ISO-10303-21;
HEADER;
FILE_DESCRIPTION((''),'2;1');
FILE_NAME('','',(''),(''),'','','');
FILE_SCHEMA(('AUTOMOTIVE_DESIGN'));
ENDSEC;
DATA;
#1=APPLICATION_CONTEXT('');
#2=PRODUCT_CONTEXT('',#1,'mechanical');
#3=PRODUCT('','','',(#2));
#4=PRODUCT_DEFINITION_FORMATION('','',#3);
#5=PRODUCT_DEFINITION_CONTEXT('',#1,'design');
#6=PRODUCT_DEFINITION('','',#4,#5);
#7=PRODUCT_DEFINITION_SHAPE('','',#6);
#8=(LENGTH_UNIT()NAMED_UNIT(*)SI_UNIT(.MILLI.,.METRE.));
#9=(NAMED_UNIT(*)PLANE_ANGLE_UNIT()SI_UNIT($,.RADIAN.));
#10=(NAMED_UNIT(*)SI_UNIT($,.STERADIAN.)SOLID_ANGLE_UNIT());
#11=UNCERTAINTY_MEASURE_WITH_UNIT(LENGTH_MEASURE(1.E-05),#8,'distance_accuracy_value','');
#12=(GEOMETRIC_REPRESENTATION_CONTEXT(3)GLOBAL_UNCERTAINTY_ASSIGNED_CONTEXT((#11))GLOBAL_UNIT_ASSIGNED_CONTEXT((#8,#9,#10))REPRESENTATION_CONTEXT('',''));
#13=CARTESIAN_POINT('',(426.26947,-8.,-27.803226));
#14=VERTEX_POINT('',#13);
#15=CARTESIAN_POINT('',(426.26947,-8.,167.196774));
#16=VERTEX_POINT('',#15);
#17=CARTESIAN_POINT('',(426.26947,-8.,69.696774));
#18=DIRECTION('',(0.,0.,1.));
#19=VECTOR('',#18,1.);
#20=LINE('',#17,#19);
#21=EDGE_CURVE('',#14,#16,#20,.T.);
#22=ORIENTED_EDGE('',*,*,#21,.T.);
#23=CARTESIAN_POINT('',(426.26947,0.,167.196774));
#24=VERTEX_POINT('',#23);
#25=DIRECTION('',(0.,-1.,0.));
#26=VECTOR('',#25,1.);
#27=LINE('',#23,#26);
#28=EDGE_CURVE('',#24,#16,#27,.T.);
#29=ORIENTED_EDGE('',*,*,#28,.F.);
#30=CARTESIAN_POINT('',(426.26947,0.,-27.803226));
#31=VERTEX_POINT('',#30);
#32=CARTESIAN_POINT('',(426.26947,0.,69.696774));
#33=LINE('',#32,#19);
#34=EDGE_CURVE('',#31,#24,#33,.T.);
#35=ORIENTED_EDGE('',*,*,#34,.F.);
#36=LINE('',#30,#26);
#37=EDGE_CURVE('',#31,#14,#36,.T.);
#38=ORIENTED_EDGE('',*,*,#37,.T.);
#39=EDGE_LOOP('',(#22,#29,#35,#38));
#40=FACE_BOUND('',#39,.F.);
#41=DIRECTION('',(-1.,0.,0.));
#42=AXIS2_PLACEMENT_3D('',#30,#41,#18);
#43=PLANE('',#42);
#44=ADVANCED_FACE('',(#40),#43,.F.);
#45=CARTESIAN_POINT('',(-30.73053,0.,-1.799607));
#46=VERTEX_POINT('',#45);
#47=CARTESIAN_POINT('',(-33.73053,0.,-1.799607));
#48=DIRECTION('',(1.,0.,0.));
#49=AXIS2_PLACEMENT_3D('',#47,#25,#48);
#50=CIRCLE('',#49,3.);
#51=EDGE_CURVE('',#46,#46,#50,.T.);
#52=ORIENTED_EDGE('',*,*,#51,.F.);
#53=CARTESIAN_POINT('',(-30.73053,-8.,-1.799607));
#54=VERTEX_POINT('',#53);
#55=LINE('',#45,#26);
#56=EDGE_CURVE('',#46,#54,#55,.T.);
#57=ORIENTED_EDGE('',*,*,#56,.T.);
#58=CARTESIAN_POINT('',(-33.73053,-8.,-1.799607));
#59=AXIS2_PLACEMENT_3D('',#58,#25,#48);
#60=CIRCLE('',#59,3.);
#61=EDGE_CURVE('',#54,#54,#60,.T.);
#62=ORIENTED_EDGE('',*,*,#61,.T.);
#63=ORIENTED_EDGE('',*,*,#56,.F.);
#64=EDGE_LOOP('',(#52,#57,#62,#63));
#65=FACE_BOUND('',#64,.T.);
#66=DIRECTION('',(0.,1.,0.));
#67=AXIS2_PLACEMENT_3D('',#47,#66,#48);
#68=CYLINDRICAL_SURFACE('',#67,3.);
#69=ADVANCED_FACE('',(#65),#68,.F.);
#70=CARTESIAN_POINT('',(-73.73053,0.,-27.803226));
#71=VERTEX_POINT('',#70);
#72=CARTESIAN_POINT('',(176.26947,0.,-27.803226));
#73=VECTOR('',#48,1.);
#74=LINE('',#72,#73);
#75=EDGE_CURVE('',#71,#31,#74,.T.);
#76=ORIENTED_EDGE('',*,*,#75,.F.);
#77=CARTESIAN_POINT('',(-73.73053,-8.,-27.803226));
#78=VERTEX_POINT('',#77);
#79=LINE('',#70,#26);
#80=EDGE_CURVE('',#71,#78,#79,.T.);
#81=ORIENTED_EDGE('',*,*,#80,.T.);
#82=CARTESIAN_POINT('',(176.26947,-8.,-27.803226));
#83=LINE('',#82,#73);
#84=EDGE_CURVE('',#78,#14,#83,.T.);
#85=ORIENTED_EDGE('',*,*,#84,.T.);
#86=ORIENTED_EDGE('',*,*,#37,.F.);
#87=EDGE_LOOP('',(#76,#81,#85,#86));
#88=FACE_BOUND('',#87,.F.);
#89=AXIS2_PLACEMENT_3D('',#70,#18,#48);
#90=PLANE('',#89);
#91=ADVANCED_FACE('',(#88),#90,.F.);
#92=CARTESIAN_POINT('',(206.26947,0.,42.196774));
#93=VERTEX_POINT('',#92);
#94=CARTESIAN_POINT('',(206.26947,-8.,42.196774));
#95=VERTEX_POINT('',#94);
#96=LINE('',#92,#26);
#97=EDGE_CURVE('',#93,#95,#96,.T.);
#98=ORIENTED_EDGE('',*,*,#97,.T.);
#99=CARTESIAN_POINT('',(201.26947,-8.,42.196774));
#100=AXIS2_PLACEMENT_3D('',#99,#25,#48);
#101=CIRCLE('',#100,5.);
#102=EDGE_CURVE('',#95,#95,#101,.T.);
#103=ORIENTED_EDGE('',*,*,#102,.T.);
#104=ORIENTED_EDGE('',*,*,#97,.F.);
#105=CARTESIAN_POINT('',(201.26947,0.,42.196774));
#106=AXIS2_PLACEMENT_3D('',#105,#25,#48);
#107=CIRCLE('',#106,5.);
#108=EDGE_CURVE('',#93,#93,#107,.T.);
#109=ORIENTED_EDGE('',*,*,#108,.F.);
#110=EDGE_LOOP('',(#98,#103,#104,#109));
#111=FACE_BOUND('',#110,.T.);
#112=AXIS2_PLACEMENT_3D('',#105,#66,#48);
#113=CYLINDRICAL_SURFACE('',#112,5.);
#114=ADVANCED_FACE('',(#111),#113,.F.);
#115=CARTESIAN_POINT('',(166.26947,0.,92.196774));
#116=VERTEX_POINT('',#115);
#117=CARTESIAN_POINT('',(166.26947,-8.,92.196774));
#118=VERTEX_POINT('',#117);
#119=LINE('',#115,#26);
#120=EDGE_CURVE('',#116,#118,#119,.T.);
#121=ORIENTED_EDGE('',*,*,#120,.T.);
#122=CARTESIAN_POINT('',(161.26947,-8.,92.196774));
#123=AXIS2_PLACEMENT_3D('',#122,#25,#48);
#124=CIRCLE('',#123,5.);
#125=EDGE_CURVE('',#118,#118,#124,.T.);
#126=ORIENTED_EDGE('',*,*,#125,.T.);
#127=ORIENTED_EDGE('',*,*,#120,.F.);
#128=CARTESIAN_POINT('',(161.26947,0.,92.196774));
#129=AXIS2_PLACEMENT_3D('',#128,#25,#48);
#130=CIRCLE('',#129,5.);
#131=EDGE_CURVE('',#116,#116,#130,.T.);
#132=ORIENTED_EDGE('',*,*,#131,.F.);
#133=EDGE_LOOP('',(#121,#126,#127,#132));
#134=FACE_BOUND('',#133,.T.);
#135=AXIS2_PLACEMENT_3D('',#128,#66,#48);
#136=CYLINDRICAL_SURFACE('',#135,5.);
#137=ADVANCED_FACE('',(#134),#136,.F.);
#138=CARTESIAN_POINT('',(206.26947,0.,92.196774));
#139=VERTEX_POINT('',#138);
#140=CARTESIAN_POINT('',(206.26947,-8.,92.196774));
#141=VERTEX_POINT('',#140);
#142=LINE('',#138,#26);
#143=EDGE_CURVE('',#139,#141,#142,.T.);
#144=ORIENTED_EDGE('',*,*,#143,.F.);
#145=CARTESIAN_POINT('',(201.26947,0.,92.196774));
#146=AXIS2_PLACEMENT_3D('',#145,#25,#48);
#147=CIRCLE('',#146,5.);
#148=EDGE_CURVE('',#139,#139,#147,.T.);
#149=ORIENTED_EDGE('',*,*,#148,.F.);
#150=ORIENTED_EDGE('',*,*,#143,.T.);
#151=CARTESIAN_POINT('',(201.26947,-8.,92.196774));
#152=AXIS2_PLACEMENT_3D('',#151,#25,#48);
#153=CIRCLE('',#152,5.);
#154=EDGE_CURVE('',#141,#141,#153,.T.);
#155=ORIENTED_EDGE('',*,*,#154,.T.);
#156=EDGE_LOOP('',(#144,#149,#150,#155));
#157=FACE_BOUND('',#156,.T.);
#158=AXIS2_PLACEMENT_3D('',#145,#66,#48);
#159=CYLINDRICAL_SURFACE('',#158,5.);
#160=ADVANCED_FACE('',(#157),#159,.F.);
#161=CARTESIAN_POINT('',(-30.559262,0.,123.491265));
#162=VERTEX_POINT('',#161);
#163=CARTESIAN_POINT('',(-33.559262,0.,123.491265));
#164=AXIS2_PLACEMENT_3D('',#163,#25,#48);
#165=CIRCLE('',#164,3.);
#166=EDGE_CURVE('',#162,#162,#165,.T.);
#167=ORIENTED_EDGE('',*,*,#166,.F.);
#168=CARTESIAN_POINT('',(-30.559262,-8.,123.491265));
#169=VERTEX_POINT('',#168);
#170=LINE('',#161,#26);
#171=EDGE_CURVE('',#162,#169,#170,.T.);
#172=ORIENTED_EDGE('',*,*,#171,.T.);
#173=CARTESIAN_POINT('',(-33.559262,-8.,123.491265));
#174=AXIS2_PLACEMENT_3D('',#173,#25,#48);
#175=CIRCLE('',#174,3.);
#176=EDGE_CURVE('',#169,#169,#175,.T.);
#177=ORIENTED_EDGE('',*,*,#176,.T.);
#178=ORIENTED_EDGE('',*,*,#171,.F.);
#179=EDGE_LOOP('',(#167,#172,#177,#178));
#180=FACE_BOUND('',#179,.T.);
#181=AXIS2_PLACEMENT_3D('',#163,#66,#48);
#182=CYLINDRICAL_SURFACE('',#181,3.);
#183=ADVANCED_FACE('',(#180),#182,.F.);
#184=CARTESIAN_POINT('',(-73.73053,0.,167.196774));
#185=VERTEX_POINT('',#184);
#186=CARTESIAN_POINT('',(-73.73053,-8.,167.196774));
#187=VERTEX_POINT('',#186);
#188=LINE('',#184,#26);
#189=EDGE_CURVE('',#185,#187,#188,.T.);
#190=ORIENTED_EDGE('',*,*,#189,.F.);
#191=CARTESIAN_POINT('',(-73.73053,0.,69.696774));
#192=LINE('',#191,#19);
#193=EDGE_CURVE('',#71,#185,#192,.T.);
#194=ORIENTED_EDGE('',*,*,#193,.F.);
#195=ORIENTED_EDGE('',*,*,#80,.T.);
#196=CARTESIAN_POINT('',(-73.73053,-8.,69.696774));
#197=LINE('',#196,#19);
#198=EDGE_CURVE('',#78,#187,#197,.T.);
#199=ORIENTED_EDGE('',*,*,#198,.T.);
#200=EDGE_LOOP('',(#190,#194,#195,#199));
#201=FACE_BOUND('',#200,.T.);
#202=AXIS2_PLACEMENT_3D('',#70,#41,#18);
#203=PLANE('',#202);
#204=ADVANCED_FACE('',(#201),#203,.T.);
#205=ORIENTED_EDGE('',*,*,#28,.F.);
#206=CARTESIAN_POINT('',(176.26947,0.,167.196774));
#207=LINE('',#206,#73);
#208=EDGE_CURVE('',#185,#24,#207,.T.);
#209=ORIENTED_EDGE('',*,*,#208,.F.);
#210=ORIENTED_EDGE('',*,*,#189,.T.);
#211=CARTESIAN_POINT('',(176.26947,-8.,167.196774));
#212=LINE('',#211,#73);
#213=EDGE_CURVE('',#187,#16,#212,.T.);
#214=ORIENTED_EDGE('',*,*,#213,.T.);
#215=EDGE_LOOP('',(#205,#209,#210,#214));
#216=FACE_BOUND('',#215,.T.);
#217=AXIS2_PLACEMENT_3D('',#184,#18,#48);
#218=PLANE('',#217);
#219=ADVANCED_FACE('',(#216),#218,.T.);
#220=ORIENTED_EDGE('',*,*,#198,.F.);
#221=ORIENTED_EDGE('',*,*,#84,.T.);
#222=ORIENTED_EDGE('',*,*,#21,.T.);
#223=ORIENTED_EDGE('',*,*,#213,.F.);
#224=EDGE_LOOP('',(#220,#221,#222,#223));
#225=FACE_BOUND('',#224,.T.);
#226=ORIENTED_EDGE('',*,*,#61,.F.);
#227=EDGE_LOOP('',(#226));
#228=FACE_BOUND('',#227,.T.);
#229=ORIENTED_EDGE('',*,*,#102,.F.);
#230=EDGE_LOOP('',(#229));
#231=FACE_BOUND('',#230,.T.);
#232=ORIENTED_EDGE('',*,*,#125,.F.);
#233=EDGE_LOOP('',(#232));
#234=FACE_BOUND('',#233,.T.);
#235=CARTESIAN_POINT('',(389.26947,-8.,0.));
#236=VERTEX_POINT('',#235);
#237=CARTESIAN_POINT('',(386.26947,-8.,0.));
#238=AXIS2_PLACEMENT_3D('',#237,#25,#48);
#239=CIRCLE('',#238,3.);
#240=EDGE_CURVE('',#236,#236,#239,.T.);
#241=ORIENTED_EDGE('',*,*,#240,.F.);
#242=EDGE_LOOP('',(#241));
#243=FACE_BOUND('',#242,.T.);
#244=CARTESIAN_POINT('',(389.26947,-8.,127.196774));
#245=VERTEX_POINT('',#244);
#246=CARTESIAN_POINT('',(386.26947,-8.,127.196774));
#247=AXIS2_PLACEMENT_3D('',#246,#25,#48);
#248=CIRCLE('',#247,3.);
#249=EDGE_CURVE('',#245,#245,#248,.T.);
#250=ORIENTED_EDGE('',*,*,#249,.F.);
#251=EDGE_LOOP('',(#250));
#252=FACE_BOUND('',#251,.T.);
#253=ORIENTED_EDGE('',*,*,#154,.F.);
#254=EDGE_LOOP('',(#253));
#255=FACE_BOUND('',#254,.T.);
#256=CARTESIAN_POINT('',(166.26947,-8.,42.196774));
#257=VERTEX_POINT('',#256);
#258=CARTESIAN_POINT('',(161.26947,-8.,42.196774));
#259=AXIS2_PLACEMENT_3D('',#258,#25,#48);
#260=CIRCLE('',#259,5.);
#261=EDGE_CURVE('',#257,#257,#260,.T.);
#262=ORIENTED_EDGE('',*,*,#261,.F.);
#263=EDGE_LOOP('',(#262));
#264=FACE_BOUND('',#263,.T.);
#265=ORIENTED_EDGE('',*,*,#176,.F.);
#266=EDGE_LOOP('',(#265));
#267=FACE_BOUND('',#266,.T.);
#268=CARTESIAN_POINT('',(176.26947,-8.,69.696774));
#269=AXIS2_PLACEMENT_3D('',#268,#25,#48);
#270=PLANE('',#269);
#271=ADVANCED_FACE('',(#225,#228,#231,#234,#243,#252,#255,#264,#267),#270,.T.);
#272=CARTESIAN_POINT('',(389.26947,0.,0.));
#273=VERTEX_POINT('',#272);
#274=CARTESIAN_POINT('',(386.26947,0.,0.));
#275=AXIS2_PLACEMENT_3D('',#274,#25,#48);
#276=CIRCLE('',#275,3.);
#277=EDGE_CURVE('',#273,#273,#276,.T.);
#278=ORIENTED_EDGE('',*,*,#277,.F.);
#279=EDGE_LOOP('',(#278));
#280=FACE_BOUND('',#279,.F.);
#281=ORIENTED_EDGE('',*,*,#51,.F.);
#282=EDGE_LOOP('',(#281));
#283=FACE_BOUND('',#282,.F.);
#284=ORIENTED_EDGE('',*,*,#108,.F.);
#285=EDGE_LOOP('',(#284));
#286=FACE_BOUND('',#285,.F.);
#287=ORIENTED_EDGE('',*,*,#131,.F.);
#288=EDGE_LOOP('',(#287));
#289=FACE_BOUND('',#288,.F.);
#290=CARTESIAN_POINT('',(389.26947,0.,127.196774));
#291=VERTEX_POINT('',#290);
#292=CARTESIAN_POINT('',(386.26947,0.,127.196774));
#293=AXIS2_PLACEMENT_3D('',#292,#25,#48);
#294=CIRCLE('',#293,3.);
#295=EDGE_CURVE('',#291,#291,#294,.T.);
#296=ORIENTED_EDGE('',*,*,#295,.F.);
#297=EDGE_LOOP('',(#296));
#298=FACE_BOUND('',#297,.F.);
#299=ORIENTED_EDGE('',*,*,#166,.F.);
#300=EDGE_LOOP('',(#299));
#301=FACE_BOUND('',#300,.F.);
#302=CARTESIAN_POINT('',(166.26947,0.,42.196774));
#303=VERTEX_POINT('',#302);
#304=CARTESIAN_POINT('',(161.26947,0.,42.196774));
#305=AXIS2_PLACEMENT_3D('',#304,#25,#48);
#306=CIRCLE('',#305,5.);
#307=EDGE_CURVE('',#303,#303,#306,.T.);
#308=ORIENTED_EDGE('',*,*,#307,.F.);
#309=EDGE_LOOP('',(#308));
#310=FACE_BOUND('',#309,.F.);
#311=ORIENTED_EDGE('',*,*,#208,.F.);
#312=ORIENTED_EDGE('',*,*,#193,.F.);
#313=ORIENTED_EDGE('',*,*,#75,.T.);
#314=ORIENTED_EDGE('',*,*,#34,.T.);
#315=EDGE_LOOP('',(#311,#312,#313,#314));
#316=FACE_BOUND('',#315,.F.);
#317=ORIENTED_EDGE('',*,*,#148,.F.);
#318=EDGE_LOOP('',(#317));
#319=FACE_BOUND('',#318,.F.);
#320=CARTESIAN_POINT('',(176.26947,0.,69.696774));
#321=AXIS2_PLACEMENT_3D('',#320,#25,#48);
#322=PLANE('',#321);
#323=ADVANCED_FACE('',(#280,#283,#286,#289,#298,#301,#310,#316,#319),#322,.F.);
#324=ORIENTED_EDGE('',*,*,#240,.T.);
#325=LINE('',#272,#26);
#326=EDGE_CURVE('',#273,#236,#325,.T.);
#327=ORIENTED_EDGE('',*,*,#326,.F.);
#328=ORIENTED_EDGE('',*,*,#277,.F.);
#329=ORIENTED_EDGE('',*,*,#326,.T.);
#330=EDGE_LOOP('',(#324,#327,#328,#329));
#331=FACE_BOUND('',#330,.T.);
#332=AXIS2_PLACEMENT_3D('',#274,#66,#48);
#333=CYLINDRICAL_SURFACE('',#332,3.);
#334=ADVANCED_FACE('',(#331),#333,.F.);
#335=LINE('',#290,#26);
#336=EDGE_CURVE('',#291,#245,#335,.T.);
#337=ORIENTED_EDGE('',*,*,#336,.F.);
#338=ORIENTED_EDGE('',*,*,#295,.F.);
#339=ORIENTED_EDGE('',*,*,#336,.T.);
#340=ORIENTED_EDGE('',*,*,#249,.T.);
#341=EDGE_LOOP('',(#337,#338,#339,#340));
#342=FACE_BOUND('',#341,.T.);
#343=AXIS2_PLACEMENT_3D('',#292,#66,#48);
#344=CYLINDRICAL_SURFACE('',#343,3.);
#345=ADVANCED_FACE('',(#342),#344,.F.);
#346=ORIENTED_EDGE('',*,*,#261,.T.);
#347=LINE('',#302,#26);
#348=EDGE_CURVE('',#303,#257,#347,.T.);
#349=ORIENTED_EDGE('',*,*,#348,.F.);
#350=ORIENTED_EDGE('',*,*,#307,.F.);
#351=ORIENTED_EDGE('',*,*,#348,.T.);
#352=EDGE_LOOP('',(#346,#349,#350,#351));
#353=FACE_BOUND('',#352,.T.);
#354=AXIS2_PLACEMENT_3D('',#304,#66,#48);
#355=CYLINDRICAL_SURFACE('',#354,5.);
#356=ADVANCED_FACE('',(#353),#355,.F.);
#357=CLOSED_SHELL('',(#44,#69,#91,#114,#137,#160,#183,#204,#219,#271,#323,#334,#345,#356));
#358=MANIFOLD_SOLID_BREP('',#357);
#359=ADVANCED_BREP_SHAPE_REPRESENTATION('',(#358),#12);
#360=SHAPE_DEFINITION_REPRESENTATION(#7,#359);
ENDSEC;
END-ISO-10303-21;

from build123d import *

# Parameters (mm, degrees)
F0_W     = 500
F0_H     = 195
F0_R     = 3
F0_R_2   = 5
F1_DEPTH = 8


with BuildPart() as f1:
    # F0 (on Front) → F1 (new body)
    with BuildSketch(Plane.XZ):
        with Locations((176.26947, 69.696774)):
            Rectangle(F0_W, F0_H)
        with Locations((-33.73053, -1.799607)):
            Circle(F0_R, mode=Mode.SUBTRACT)
        with Locations((161.26947, 42.196774)):
            Circle(F0_R_2, mode=Mode.SUBTRACT)
        with Locations((386.26947, 0)):
            Circle(F0_R, mode=Mode.SUBTRACT)
        with Locations((201.26947, 42.196774)):
            Circle(F0_R_2, mode=Mode.SUBTRACT)
        with Locations((161.26947, 92.196774)):
            Circle(F0_R_2, mode=Mode.SUBTRACT)
        with Locations((-33.559262, 123.491265)):
            Circle(F0_R, mode=Mode.SUBTRACT)
        with Locations((201.26947, 92.196774)):
            Circle(F0_R_2, mode=Mode.SUBTRACT)
        with Locations((386.26947, 127.196774)):
            Circle(F0_R, mode=Mode.SUBTRACT)
    extrude(amount=F1_DEPTH)


solid = f1.part
